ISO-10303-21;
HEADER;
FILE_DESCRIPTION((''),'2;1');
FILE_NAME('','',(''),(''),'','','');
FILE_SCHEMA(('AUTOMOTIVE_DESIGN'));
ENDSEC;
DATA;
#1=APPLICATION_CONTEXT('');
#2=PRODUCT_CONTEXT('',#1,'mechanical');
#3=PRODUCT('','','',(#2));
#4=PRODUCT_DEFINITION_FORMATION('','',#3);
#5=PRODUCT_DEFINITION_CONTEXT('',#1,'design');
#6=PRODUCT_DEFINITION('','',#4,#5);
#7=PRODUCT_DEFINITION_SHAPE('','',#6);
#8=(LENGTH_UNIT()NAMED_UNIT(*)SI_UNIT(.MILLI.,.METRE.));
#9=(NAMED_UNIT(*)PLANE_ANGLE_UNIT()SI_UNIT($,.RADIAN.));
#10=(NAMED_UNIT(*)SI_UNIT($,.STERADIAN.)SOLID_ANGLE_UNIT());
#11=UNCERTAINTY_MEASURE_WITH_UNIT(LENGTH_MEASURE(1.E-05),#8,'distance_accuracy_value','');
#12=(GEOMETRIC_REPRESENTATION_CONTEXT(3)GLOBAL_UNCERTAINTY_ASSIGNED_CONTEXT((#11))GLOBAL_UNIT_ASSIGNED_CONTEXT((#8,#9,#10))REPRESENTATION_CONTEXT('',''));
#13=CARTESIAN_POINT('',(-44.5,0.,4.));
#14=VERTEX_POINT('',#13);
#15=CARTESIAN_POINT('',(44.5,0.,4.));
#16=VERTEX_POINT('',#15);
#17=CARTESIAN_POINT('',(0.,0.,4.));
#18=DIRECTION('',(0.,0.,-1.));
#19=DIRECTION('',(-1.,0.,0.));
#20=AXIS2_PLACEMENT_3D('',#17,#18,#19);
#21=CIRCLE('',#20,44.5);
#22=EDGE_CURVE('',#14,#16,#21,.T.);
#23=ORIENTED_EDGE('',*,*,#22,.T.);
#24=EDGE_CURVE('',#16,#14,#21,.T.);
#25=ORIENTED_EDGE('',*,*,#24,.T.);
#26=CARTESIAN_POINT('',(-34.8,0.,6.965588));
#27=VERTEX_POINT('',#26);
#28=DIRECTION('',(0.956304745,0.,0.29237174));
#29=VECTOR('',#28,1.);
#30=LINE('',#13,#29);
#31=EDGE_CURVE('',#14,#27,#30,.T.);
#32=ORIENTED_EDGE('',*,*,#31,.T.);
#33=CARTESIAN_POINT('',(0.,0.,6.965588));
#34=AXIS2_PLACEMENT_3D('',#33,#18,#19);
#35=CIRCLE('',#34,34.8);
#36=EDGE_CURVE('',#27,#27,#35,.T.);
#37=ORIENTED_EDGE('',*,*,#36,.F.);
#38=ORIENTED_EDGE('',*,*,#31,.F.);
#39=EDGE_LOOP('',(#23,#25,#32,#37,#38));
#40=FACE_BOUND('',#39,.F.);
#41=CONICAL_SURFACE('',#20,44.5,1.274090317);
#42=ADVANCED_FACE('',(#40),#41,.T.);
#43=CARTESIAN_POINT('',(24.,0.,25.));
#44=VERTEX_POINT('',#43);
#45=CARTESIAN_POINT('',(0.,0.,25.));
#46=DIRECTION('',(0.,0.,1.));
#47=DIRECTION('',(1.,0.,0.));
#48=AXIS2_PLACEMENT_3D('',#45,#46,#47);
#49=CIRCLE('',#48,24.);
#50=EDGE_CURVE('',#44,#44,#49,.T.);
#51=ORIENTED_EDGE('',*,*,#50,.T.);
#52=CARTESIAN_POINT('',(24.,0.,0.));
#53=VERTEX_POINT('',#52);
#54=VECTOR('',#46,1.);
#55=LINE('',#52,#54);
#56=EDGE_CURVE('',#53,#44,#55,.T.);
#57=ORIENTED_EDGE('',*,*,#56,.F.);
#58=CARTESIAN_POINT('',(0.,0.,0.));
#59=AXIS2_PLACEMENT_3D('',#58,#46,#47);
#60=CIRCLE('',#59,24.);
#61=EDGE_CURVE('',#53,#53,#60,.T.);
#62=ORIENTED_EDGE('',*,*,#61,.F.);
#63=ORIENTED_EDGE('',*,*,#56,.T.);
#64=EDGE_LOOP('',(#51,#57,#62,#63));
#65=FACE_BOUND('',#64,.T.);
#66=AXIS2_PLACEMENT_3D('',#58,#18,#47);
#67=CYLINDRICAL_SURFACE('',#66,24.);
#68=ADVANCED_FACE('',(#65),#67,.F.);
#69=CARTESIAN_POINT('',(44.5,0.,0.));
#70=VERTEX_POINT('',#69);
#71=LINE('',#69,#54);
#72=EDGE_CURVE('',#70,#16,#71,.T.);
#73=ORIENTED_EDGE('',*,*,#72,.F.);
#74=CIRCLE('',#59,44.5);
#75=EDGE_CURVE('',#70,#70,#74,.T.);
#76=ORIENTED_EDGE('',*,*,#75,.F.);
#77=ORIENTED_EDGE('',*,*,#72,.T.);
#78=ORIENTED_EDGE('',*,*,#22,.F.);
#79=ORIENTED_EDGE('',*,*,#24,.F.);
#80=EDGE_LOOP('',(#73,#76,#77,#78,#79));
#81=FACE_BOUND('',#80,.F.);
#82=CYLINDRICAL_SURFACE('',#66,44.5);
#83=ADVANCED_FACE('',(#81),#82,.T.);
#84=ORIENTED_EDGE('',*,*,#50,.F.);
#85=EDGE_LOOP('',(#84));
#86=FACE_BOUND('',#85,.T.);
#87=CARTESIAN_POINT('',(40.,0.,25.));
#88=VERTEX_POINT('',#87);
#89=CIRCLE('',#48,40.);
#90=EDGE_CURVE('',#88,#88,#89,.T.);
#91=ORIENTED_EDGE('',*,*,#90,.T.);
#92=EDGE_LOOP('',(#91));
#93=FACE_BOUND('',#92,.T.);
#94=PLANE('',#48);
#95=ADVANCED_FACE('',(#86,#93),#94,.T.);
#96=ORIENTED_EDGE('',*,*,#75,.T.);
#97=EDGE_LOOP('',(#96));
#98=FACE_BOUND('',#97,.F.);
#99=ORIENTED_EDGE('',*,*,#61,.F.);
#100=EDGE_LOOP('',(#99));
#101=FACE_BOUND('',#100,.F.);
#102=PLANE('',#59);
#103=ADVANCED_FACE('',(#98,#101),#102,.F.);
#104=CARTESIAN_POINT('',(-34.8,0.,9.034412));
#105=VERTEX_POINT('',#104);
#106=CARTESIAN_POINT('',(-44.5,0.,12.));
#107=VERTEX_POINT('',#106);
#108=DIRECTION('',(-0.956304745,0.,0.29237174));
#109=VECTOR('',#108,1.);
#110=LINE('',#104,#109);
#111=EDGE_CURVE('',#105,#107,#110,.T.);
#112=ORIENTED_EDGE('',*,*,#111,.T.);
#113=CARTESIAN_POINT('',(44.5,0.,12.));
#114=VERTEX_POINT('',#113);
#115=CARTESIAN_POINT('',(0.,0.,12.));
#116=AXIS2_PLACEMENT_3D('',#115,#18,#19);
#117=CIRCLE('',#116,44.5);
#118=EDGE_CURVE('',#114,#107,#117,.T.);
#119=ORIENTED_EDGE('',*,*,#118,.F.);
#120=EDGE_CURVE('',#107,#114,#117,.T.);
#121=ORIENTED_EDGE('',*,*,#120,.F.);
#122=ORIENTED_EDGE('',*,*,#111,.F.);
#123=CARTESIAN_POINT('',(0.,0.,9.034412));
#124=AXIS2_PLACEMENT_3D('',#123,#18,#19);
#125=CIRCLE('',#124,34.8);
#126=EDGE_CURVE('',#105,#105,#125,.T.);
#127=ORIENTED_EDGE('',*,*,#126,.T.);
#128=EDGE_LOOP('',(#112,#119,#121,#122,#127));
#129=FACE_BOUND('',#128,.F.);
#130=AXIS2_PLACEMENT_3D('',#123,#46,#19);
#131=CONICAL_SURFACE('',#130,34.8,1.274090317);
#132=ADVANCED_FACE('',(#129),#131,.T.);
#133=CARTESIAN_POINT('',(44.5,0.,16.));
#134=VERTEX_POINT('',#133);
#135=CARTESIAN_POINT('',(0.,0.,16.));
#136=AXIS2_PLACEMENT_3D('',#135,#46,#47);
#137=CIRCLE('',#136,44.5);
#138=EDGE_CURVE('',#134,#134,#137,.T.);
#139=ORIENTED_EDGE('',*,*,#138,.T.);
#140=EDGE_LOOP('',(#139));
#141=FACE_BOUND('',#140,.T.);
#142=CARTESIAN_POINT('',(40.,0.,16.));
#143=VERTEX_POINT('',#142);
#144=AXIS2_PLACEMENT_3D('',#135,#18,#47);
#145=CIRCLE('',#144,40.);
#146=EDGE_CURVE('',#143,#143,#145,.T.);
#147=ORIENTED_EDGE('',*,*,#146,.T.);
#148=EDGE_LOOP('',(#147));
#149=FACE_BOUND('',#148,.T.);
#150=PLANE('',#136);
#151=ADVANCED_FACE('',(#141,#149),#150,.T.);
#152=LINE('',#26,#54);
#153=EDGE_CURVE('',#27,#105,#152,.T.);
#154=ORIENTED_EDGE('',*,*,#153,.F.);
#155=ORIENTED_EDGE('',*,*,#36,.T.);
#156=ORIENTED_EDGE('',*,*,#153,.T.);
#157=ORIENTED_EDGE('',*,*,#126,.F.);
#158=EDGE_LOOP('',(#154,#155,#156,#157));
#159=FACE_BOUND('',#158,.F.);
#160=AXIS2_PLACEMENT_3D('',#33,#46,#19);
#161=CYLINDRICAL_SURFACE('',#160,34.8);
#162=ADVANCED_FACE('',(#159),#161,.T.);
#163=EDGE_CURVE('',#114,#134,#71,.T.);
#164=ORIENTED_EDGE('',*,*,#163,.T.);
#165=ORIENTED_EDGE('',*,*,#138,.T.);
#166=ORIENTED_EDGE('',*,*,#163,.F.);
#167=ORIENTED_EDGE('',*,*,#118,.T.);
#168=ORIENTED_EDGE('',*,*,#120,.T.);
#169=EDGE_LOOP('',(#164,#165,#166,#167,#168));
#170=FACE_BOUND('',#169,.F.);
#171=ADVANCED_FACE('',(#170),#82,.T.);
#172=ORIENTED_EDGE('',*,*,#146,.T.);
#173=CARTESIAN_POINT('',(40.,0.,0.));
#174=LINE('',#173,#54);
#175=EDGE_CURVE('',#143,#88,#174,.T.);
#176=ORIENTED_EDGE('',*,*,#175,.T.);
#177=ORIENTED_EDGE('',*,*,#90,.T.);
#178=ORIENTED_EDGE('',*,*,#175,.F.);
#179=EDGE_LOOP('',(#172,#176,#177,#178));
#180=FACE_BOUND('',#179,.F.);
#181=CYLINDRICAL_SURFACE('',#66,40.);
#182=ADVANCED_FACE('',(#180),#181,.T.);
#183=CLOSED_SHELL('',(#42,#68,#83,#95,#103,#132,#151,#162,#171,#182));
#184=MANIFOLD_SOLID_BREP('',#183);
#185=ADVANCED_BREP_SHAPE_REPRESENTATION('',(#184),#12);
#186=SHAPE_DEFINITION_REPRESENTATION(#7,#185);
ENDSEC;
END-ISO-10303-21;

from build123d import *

# Parameters (mm, degrees)
F0_R     = 44.5
F0_R_2   = 40
F0_R_3   = 24
F1_DEPTH = 16
F2_DEPTH = 25


with BuildPart() as f1:
    # F0 (on Top) → F1 (new body)
    with BuildSketch(Plane.XY):
        Circle(F0_R)
        Circle(F0_R_2, mode=Mode.SUBTRACT)
        Circle(F0_R_2)
        Circle(F0_R_3, mode=Mode.SUBTRACT)
    extrude(amount=F1_DEPTH)

    # F0 (on Top) → F2 (join)
    with BuildSketch(Plane.XY):
        Circle(F0_R_2)
        Circle(F0_R_3, mode=Mode.SUBTRACT)
    extrude(amount=F2_DEPTH)

    # F3 (on Front) → F4 (revolve, cut)
    with BuildSketch(Plane.XZ):
        Polygon((-34.8, 9.034412), (-44.5, 12), (-44.5, 4), (-34.8, 6.965588), align=None)
    revolve(axis=Axis((0, 0, -5.625665), (0, 0, -1)), mode=Mode.SUBTRACT)


solid = f1.part
